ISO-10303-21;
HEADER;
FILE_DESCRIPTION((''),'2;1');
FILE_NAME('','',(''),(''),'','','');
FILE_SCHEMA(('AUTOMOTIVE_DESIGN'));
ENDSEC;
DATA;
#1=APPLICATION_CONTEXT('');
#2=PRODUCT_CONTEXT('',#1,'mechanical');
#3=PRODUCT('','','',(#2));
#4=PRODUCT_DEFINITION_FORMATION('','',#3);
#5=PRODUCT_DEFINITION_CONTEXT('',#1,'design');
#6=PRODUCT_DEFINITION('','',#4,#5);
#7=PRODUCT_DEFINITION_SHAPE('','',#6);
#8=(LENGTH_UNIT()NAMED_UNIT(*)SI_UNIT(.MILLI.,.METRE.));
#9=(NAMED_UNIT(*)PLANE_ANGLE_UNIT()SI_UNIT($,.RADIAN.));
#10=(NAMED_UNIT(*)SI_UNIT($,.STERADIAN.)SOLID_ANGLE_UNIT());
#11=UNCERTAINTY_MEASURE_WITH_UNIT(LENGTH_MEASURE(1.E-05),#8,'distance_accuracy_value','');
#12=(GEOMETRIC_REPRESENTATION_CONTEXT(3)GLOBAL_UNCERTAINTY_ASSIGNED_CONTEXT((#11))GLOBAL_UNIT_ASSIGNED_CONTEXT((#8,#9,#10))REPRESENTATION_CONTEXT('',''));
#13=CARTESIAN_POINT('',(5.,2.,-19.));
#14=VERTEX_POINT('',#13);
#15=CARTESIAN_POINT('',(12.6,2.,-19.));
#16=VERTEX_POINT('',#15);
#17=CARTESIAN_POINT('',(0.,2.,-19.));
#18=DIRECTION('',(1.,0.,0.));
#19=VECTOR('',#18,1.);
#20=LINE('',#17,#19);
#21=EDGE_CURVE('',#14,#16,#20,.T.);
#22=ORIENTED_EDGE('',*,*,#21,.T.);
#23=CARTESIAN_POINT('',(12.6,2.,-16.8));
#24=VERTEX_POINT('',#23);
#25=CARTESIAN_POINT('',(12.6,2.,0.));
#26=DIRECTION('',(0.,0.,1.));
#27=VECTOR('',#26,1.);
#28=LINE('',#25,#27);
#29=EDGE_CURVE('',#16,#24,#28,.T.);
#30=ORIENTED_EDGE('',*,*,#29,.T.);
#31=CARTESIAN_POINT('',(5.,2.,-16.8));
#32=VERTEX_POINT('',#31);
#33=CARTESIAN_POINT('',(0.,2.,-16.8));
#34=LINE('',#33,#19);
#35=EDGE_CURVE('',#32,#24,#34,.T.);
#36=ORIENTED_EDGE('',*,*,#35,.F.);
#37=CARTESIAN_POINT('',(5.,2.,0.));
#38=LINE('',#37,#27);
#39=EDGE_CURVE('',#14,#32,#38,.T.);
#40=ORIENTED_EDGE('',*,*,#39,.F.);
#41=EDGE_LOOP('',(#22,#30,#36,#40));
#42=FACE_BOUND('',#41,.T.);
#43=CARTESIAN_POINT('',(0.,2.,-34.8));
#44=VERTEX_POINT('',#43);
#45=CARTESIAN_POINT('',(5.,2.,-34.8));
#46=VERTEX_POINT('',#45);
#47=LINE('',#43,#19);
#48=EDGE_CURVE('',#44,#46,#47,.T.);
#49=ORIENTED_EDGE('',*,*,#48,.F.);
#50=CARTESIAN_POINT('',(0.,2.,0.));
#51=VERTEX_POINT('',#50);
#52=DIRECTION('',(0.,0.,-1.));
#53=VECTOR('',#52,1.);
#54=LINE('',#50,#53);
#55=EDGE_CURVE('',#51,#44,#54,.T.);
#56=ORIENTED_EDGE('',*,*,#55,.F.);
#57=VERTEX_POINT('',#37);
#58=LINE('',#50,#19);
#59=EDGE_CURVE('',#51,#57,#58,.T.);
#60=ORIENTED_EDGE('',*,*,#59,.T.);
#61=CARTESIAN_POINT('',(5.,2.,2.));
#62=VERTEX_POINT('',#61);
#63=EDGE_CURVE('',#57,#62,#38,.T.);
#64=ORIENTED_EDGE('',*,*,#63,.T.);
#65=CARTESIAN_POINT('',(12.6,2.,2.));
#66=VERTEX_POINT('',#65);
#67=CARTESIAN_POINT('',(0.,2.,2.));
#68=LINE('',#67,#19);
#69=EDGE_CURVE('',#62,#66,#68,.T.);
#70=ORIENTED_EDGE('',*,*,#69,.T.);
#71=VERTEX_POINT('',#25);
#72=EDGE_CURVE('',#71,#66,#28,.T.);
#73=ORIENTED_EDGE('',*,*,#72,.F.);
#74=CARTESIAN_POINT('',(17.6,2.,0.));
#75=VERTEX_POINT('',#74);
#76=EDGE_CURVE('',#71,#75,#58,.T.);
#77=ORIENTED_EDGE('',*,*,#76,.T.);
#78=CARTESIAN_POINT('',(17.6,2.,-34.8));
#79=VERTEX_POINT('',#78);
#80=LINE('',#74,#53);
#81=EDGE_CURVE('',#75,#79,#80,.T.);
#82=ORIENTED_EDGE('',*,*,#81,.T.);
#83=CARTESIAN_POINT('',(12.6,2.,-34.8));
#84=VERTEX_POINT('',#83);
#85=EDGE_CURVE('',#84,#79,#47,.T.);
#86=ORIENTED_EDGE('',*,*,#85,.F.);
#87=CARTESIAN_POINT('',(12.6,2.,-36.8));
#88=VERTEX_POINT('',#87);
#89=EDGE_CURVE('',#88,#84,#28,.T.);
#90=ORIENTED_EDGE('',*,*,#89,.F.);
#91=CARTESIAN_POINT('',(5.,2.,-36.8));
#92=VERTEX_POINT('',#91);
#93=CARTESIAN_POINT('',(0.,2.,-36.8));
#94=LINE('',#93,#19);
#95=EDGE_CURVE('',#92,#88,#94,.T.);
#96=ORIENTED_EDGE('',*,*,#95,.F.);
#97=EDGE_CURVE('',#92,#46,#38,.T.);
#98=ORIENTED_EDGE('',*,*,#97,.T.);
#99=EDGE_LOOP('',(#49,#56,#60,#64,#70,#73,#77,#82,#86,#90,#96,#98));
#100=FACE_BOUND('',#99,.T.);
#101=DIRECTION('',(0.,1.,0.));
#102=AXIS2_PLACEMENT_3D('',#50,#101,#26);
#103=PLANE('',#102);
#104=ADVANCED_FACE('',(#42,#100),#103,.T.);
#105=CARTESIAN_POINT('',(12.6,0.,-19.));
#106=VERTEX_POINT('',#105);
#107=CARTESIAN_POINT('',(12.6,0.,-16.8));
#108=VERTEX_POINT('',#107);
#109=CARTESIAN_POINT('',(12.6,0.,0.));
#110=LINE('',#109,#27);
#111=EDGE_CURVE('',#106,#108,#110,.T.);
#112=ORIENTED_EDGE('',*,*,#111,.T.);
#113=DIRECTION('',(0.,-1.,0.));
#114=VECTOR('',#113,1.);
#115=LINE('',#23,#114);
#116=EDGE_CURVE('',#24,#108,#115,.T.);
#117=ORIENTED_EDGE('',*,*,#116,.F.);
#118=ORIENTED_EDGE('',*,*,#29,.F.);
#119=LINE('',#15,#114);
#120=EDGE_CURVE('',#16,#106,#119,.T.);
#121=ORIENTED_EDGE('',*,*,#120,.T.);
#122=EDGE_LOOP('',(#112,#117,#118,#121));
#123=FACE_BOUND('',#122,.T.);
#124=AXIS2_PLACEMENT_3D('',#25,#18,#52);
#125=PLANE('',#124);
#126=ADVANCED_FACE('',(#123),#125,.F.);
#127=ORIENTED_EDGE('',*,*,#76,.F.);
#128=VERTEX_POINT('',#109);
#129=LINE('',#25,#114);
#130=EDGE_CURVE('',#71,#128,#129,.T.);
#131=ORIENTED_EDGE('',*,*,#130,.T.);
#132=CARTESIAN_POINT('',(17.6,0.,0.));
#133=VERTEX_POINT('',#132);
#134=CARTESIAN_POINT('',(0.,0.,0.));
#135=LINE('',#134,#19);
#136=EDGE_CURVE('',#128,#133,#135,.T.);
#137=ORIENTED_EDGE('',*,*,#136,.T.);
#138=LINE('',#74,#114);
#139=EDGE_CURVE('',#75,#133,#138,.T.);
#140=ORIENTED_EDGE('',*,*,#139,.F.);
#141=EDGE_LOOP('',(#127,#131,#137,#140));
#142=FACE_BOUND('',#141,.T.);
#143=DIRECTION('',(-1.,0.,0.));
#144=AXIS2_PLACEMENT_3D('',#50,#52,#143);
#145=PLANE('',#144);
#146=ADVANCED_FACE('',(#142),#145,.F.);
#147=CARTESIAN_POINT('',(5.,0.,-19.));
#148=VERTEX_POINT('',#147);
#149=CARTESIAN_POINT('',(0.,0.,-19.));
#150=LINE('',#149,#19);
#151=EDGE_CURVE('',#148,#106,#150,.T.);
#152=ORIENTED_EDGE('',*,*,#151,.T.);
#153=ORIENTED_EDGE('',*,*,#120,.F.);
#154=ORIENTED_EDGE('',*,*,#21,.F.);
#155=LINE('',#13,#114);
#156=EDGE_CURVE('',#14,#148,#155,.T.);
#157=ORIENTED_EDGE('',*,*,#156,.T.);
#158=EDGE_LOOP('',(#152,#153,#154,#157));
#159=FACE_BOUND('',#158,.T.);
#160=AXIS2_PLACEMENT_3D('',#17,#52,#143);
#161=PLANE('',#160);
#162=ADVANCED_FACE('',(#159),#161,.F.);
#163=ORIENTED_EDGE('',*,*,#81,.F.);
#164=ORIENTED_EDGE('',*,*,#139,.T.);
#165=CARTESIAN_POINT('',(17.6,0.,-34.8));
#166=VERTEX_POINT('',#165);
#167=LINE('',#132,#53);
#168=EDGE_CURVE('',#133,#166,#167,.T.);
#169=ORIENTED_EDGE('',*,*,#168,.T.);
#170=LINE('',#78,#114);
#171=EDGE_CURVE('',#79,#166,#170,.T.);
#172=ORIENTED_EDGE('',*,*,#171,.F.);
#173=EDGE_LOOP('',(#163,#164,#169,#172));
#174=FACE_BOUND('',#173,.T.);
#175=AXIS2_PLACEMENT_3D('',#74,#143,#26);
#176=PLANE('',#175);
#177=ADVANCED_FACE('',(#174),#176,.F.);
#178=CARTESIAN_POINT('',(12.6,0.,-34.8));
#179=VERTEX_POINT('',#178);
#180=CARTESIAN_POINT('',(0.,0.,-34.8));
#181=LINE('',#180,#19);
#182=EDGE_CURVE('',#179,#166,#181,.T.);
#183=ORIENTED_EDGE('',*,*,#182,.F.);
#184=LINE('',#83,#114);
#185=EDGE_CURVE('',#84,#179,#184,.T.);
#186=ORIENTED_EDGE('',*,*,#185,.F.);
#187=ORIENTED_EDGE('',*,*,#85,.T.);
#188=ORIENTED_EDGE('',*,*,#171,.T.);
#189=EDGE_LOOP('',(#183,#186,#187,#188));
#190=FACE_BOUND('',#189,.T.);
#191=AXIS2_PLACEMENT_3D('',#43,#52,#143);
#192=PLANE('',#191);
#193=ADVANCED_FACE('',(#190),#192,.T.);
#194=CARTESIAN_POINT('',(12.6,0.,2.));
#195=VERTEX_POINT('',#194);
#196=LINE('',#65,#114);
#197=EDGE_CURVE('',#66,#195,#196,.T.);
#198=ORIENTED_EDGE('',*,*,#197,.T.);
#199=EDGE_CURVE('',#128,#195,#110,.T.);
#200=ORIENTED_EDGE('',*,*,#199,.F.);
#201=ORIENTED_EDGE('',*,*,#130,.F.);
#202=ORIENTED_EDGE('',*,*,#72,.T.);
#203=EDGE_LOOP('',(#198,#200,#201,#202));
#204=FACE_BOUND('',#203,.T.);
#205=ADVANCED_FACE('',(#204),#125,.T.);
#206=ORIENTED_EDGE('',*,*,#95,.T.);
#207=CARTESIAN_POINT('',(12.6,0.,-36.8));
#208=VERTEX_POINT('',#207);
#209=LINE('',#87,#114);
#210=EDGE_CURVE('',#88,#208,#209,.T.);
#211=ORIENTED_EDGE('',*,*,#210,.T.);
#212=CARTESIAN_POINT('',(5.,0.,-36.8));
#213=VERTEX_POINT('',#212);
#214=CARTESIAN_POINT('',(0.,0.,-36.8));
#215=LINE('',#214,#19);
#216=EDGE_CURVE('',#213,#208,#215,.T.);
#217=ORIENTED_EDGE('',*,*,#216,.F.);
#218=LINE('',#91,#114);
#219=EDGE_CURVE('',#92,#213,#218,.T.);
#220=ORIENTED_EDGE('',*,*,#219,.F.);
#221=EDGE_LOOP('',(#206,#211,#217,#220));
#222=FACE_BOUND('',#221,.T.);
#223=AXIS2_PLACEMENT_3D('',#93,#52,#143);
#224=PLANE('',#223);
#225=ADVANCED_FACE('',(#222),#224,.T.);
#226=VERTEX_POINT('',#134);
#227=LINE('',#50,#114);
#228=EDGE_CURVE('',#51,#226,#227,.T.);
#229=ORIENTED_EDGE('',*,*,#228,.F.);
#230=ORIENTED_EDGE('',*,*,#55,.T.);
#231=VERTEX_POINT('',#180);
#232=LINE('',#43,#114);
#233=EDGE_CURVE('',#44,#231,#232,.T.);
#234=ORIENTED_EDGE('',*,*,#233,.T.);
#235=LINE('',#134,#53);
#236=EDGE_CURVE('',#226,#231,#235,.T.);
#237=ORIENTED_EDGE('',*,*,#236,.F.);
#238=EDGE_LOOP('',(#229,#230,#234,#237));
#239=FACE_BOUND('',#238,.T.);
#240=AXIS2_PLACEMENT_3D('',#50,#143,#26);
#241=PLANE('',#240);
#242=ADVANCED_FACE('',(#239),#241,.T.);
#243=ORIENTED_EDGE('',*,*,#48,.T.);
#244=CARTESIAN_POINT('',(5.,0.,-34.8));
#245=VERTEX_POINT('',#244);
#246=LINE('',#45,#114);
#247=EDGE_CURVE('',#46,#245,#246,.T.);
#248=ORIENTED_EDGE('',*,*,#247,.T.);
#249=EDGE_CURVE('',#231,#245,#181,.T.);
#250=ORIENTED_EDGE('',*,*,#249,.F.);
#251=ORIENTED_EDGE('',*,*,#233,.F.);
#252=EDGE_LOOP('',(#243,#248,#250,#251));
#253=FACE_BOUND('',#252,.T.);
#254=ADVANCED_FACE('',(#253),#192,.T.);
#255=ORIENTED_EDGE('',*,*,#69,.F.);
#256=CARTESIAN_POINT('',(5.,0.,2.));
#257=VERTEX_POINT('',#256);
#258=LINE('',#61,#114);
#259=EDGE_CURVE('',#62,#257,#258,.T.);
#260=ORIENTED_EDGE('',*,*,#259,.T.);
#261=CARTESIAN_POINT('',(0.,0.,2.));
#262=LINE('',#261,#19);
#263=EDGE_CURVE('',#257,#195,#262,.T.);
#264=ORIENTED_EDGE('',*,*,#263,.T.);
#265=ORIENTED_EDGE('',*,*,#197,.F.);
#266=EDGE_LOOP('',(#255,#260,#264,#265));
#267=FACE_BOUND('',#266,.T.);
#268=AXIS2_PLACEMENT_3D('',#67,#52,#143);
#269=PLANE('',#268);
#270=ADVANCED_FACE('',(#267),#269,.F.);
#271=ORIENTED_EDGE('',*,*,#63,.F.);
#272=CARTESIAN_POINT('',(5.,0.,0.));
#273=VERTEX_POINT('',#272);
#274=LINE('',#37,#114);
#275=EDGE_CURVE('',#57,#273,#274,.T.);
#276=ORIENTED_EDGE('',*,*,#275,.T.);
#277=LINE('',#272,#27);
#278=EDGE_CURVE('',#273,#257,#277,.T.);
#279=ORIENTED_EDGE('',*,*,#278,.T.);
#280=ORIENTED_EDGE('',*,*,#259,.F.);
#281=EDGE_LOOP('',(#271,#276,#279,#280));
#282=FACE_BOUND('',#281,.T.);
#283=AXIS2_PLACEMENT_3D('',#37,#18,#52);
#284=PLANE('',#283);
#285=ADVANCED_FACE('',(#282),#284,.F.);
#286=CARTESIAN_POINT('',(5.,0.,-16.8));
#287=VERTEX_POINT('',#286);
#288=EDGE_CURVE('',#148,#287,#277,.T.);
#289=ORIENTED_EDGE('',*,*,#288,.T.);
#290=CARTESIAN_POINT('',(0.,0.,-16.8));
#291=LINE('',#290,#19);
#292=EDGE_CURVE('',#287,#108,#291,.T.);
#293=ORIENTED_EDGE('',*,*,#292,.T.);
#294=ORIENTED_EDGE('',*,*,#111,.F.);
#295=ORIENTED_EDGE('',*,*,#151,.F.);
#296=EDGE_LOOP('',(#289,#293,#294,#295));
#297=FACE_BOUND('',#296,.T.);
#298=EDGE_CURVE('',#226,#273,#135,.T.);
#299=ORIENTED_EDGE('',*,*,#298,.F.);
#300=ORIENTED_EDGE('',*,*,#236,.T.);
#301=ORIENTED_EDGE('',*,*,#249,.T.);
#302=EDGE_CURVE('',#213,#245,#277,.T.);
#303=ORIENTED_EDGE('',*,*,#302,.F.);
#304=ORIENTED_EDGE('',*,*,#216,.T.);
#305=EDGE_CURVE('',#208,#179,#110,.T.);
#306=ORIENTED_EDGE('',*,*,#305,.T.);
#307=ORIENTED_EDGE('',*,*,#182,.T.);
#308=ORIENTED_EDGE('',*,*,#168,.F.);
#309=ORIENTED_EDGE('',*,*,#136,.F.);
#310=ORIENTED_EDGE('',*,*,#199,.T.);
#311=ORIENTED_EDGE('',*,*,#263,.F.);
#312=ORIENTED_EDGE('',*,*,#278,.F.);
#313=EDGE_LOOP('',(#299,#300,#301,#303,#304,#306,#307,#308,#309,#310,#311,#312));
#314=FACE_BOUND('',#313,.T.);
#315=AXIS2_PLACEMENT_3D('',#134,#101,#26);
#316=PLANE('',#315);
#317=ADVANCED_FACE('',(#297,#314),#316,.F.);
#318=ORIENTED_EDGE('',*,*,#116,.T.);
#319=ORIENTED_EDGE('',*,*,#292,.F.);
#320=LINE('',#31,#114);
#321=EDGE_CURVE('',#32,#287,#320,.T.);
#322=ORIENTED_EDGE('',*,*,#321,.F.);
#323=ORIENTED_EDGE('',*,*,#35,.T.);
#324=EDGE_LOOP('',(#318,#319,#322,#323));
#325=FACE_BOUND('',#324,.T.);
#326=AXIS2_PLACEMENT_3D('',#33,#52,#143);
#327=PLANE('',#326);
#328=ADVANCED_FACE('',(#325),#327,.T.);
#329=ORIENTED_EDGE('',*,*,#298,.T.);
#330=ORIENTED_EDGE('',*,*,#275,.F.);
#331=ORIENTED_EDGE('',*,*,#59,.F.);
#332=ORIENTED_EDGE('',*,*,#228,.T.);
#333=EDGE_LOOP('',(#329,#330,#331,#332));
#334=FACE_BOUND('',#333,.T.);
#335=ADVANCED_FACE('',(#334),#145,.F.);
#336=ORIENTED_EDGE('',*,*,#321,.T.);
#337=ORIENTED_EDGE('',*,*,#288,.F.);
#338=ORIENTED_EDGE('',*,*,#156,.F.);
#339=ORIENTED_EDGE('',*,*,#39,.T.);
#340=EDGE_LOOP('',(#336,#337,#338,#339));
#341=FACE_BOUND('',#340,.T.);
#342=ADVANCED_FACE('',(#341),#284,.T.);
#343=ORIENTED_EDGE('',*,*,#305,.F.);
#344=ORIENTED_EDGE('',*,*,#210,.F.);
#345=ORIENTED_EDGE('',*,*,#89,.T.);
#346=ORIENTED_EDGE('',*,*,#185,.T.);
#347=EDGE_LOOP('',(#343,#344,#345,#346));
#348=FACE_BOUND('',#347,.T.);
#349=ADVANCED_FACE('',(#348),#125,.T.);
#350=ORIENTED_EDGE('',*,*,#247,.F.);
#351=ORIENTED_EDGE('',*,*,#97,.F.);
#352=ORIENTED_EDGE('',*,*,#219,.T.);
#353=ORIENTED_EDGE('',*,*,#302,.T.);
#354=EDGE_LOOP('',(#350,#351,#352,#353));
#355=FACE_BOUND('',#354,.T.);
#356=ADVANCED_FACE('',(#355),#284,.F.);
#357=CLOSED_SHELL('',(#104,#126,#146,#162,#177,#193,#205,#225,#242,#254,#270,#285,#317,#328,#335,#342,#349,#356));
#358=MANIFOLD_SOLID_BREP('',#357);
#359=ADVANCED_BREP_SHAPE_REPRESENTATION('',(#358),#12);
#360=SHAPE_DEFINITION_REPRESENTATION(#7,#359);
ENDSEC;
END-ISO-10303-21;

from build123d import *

# Parameters (mm, degrees)
SKETCH_1_W      = 17.6
SKETCH_1_H      = 34.8
SKETCH_1_W_2    = 7.6
SKETCH_1_H_2    = 2.2
SKETCH_1_H_3    = 2
EXTRUDE_1_DEPTH = 2


with BuildPart() as part:
    # 草图1 → 凸台-拉伸1 (new body)
    with BuildSketch(Plane(origin=(0, 0, 0), x_dir=(1, 0, 0), z_dir=(0, 1, 0))):
        with Locations((8.8, 17.4)):
            Rectangle(SKETCH_1_W, SKETCH_1_H)
        with Locations((8.8, 17.9)):
            Rectangle(SKETCH_1_W_2, SKETCH_1_H_2, mode=Mode.SUBTRACT)
        with Locations((8.8, -1)):
            Rectangle(SKETCH_1_W_2, SKETCH_1_H_3)
        with Locations((8.8, 35.8)):
            Rectangle(SKETCH_1_W_2, SKETCH_1_H_3)
    extrude(amount=EXTRUDE_1_DEPTH)


solid = part.part
